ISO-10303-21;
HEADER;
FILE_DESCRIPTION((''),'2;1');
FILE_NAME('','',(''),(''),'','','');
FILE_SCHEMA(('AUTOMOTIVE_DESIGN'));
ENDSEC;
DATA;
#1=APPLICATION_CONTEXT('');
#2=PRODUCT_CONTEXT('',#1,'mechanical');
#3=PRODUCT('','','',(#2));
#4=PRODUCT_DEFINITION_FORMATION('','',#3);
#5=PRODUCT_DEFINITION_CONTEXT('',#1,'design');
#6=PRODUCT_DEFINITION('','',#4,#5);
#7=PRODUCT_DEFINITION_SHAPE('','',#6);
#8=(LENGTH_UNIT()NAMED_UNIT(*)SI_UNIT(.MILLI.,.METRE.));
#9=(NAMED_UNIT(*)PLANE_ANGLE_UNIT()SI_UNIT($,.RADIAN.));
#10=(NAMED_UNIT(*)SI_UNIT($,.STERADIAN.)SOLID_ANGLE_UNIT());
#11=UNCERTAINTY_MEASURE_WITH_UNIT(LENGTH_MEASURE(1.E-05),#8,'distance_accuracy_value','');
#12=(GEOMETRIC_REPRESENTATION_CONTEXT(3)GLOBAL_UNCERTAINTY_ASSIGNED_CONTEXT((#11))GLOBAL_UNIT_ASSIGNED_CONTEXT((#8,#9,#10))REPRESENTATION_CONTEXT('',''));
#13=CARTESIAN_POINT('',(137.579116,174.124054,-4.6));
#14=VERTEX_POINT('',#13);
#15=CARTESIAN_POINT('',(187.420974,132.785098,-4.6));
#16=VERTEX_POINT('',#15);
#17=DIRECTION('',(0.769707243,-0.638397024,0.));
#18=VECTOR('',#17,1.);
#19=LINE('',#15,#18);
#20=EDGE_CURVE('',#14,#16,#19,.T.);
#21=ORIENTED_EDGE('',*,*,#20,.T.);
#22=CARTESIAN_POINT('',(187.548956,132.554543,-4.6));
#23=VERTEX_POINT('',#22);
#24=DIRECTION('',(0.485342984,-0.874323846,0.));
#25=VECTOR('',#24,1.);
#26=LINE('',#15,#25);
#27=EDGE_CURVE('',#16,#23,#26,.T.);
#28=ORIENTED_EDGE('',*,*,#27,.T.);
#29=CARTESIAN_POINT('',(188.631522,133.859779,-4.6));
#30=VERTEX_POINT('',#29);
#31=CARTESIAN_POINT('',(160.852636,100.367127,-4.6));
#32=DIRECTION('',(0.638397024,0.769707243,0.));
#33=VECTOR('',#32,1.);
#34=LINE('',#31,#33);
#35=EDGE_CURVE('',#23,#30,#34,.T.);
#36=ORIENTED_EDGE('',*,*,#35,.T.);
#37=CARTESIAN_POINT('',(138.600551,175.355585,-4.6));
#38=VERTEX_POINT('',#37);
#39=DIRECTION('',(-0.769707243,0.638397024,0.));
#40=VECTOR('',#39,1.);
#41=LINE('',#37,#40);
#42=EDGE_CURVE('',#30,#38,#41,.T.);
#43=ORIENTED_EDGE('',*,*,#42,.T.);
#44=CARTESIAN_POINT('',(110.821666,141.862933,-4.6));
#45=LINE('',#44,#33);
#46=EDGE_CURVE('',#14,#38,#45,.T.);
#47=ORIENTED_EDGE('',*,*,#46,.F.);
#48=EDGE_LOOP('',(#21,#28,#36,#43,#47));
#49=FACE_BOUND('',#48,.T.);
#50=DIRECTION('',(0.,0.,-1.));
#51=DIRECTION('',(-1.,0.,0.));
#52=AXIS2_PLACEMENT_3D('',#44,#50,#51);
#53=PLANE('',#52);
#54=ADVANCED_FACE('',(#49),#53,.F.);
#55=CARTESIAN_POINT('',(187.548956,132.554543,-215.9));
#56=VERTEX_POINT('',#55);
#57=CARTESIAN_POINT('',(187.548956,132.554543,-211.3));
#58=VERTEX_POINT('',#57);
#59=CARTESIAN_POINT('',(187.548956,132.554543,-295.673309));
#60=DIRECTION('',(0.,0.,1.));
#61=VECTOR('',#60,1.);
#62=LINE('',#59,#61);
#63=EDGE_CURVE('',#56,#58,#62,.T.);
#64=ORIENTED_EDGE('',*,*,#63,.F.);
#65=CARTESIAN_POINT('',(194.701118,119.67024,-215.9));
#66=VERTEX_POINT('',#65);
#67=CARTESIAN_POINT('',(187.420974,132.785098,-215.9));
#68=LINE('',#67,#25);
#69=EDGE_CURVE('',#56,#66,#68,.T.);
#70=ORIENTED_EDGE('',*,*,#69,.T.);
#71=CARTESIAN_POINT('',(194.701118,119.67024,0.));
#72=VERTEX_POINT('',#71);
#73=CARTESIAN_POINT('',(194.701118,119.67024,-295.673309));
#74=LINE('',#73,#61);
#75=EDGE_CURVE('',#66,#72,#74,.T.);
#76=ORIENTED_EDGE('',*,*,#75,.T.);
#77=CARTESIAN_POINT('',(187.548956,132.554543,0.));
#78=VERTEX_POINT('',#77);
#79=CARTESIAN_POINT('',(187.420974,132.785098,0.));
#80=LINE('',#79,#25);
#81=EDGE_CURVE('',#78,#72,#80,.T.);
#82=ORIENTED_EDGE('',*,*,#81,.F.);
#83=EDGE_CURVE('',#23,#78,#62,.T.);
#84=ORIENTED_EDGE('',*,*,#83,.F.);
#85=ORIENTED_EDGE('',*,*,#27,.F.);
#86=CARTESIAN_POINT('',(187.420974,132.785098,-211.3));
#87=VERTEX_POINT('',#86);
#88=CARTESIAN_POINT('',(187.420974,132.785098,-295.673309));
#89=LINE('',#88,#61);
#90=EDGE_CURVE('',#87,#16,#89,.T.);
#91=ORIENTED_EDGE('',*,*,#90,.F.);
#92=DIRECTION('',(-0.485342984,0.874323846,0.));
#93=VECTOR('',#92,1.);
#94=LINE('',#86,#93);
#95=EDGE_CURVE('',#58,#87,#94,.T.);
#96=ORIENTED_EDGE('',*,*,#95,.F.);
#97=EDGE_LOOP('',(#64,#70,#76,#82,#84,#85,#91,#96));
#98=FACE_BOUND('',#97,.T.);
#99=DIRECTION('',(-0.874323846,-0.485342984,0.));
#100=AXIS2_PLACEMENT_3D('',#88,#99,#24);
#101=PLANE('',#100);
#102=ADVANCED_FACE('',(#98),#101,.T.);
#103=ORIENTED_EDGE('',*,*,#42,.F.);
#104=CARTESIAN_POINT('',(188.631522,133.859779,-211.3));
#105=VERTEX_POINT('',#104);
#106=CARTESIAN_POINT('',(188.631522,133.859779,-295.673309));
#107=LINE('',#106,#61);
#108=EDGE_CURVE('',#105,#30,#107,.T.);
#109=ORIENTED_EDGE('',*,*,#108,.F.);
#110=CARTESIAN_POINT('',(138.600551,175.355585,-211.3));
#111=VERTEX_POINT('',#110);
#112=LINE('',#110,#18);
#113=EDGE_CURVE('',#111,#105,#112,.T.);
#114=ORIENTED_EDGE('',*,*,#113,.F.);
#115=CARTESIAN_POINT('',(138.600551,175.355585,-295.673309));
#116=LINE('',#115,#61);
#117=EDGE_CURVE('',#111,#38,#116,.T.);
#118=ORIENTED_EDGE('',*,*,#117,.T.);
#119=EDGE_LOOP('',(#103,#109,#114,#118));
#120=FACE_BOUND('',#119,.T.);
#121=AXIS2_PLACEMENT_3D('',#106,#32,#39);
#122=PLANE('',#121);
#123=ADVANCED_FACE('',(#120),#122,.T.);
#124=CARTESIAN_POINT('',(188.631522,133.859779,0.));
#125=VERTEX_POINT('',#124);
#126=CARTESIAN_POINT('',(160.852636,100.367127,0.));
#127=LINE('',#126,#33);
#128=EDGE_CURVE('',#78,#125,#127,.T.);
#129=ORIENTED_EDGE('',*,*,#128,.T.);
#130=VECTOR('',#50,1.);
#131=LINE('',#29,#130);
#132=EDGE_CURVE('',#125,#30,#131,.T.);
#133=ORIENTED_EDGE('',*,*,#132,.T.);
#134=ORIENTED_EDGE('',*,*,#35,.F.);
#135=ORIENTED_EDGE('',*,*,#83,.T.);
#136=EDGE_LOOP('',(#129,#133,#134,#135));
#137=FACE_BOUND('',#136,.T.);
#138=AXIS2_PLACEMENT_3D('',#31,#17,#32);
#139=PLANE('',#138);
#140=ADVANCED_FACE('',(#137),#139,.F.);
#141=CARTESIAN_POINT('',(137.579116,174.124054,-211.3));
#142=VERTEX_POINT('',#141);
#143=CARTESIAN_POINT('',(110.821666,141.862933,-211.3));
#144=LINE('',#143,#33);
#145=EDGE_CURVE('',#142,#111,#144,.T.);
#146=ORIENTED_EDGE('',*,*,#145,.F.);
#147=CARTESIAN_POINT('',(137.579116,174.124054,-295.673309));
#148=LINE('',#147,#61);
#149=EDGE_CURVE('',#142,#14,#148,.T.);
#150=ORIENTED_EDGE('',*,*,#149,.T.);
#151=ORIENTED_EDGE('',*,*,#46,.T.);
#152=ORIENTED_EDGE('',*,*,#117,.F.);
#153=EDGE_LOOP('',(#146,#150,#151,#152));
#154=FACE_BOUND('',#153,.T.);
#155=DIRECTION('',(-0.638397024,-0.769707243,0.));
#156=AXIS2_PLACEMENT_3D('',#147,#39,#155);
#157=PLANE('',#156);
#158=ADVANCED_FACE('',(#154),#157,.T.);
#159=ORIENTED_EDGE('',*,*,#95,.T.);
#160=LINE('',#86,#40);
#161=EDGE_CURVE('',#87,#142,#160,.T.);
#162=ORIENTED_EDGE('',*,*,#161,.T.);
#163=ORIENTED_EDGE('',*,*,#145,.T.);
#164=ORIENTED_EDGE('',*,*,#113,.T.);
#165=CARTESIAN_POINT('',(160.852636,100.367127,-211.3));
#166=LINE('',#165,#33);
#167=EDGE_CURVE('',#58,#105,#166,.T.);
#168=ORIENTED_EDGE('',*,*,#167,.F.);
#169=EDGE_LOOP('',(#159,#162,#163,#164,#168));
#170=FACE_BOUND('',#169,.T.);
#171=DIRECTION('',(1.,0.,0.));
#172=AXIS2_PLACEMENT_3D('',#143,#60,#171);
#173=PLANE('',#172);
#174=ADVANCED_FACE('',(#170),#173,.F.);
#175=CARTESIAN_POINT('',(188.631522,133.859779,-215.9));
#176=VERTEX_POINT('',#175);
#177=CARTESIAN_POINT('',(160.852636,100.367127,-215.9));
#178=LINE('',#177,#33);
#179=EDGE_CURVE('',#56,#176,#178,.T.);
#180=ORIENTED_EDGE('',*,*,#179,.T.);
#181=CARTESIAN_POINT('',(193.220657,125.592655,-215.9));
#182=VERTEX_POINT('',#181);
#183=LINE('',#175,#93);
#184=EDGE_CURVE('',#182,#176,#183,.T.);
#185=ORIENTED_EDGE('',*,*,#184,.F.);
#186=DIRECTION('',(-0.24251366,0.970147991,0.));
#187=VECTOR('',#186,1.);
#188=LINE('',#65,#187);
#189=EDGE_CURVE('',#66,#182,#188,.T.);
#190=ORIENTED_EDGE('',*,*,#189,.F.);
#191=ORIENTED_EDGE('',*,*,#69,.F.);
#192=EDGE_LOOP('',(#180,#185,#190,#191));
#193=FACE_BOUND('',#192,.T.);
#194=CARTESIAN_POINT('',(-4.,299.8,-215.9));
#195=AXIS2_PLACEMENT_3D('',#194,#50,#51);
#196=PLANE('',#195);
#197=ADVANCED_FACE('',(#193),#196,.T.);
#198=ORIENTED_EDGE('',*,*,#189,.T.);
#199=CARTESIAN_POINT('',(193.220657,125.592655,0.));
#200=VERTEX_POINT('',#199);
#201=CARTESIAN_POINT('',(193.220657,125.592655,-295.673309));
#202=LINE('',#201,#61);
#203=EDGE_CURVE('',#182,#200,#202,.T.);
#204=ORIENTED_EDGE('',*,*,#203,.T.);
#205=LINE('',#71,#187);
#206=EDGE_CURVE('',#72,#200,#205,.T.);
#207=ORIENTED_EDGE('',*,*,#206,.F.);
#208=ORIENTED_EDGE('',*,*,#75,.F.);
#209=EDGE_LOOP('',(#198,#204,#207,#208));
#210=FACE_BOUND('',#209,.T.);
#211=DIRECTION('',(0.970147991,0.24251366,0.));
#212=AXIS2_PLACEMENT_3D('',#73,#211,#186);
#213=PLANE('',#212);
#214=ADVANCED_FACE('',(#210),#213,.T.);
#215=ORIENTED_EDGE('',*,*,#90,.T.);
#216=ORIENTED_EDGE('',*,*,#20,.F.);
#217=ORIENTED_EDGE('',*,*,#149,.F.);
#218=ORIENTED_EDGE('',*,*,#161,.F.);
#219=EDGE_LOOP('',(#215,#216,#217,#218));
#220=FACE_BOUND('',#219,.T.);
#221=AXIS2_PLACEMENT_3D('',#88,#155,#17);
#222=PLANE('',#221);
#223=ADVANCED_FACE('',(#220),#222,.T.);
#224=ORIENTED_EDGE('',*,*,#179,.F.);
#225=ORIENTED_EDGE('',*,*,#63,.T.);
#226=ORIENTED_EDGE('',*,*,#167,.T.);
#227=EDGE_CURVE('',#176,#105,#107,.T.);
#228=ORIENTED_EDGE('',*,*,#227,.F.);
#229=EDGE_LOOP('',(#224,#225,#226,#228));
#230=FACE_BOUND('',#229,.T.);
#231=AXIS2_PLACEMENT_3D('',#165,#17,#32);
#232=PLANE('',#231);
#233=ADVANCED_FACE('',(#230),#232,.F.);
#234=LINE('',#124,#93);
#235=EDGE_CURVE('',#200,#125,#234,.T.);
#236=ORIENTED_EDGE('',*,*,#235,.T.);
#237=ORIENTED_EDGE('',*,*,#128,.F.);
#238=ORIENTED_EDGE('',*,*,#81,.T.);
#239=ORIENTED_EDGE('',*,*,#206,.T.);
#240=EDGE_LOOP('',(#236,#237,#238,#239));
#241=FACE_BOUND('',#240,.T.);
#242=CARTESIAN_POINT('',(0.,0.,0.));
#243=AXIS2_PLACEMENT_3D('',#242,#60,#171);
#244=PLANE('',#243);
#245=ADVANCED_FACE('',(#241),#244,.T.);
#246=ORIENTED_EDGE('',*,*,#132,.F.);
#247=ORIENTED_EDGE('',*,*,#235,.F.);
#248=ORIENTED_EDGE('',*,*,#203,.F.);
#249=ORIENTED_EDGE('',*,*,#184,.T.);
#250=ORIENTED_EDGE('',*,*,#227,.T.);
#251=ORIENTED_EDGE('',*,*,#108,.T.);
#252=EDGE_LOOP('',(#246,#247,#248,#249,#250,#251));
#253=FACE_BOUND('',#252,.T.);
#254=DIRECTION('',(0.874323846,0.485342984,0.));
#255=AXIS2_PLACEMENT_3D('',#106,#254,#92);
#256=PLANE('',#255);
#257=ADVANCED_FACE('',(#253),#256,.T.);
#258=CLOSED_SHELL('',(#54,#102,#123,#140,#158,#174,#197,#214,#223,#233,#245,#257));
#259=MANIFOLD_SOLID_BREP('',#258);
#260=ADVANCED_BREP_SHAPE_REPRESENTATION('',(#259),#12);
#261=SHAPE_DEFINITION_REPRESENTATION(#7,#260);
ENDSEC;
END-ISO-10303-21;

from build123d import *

# Parameters (mm, degrees)
BOSS_EXTRUDE1_DEPTH = 215.9
SKETCH2_W           = 65
SKETCH2_H           = 4.6
CUT_EXTRUDE1_DEPTH  = 229.165913841


with BuildPart() as part:
    # Sketch1 → Boss-Extrude1 (new body)
    with BuildSketch(Plane.XY):
        Polygon((187.42097357, 132.785097993), (137.579115796, 174.124053731), (138.600551034, 175.35558532), (188.63152184, 133.859778782), (193.220657018, 125.592655419), (194.701118326, 119.670240299), align=None)
    extrude(amount=-BOSS_EXTRUDE1_DEPTH)

    # Sketch2 → Cut-Extrude1 (cut, through all)
    with BuildSketch(Plane(origin=(142.652779273, 171.994657551, 0), x_dir=(0.7697072431709691, -0.6383970236538912, 0), z_dir=(0.6383970236538911, 0.769707243170969, 0))):
        with Locations((27.235364289, 2.3)):
            Rectangle(SKETCH2_W, SKETCH2_H)
        with Locations((27.235364289, 213.6)):
            Rectangle(SKETCH2_W, SKETCH2_H)
    extrude(amount=-CUT_EXTRUDE1_DEPTH, mode=Mode.SUBTRACT)


solid = part.part
